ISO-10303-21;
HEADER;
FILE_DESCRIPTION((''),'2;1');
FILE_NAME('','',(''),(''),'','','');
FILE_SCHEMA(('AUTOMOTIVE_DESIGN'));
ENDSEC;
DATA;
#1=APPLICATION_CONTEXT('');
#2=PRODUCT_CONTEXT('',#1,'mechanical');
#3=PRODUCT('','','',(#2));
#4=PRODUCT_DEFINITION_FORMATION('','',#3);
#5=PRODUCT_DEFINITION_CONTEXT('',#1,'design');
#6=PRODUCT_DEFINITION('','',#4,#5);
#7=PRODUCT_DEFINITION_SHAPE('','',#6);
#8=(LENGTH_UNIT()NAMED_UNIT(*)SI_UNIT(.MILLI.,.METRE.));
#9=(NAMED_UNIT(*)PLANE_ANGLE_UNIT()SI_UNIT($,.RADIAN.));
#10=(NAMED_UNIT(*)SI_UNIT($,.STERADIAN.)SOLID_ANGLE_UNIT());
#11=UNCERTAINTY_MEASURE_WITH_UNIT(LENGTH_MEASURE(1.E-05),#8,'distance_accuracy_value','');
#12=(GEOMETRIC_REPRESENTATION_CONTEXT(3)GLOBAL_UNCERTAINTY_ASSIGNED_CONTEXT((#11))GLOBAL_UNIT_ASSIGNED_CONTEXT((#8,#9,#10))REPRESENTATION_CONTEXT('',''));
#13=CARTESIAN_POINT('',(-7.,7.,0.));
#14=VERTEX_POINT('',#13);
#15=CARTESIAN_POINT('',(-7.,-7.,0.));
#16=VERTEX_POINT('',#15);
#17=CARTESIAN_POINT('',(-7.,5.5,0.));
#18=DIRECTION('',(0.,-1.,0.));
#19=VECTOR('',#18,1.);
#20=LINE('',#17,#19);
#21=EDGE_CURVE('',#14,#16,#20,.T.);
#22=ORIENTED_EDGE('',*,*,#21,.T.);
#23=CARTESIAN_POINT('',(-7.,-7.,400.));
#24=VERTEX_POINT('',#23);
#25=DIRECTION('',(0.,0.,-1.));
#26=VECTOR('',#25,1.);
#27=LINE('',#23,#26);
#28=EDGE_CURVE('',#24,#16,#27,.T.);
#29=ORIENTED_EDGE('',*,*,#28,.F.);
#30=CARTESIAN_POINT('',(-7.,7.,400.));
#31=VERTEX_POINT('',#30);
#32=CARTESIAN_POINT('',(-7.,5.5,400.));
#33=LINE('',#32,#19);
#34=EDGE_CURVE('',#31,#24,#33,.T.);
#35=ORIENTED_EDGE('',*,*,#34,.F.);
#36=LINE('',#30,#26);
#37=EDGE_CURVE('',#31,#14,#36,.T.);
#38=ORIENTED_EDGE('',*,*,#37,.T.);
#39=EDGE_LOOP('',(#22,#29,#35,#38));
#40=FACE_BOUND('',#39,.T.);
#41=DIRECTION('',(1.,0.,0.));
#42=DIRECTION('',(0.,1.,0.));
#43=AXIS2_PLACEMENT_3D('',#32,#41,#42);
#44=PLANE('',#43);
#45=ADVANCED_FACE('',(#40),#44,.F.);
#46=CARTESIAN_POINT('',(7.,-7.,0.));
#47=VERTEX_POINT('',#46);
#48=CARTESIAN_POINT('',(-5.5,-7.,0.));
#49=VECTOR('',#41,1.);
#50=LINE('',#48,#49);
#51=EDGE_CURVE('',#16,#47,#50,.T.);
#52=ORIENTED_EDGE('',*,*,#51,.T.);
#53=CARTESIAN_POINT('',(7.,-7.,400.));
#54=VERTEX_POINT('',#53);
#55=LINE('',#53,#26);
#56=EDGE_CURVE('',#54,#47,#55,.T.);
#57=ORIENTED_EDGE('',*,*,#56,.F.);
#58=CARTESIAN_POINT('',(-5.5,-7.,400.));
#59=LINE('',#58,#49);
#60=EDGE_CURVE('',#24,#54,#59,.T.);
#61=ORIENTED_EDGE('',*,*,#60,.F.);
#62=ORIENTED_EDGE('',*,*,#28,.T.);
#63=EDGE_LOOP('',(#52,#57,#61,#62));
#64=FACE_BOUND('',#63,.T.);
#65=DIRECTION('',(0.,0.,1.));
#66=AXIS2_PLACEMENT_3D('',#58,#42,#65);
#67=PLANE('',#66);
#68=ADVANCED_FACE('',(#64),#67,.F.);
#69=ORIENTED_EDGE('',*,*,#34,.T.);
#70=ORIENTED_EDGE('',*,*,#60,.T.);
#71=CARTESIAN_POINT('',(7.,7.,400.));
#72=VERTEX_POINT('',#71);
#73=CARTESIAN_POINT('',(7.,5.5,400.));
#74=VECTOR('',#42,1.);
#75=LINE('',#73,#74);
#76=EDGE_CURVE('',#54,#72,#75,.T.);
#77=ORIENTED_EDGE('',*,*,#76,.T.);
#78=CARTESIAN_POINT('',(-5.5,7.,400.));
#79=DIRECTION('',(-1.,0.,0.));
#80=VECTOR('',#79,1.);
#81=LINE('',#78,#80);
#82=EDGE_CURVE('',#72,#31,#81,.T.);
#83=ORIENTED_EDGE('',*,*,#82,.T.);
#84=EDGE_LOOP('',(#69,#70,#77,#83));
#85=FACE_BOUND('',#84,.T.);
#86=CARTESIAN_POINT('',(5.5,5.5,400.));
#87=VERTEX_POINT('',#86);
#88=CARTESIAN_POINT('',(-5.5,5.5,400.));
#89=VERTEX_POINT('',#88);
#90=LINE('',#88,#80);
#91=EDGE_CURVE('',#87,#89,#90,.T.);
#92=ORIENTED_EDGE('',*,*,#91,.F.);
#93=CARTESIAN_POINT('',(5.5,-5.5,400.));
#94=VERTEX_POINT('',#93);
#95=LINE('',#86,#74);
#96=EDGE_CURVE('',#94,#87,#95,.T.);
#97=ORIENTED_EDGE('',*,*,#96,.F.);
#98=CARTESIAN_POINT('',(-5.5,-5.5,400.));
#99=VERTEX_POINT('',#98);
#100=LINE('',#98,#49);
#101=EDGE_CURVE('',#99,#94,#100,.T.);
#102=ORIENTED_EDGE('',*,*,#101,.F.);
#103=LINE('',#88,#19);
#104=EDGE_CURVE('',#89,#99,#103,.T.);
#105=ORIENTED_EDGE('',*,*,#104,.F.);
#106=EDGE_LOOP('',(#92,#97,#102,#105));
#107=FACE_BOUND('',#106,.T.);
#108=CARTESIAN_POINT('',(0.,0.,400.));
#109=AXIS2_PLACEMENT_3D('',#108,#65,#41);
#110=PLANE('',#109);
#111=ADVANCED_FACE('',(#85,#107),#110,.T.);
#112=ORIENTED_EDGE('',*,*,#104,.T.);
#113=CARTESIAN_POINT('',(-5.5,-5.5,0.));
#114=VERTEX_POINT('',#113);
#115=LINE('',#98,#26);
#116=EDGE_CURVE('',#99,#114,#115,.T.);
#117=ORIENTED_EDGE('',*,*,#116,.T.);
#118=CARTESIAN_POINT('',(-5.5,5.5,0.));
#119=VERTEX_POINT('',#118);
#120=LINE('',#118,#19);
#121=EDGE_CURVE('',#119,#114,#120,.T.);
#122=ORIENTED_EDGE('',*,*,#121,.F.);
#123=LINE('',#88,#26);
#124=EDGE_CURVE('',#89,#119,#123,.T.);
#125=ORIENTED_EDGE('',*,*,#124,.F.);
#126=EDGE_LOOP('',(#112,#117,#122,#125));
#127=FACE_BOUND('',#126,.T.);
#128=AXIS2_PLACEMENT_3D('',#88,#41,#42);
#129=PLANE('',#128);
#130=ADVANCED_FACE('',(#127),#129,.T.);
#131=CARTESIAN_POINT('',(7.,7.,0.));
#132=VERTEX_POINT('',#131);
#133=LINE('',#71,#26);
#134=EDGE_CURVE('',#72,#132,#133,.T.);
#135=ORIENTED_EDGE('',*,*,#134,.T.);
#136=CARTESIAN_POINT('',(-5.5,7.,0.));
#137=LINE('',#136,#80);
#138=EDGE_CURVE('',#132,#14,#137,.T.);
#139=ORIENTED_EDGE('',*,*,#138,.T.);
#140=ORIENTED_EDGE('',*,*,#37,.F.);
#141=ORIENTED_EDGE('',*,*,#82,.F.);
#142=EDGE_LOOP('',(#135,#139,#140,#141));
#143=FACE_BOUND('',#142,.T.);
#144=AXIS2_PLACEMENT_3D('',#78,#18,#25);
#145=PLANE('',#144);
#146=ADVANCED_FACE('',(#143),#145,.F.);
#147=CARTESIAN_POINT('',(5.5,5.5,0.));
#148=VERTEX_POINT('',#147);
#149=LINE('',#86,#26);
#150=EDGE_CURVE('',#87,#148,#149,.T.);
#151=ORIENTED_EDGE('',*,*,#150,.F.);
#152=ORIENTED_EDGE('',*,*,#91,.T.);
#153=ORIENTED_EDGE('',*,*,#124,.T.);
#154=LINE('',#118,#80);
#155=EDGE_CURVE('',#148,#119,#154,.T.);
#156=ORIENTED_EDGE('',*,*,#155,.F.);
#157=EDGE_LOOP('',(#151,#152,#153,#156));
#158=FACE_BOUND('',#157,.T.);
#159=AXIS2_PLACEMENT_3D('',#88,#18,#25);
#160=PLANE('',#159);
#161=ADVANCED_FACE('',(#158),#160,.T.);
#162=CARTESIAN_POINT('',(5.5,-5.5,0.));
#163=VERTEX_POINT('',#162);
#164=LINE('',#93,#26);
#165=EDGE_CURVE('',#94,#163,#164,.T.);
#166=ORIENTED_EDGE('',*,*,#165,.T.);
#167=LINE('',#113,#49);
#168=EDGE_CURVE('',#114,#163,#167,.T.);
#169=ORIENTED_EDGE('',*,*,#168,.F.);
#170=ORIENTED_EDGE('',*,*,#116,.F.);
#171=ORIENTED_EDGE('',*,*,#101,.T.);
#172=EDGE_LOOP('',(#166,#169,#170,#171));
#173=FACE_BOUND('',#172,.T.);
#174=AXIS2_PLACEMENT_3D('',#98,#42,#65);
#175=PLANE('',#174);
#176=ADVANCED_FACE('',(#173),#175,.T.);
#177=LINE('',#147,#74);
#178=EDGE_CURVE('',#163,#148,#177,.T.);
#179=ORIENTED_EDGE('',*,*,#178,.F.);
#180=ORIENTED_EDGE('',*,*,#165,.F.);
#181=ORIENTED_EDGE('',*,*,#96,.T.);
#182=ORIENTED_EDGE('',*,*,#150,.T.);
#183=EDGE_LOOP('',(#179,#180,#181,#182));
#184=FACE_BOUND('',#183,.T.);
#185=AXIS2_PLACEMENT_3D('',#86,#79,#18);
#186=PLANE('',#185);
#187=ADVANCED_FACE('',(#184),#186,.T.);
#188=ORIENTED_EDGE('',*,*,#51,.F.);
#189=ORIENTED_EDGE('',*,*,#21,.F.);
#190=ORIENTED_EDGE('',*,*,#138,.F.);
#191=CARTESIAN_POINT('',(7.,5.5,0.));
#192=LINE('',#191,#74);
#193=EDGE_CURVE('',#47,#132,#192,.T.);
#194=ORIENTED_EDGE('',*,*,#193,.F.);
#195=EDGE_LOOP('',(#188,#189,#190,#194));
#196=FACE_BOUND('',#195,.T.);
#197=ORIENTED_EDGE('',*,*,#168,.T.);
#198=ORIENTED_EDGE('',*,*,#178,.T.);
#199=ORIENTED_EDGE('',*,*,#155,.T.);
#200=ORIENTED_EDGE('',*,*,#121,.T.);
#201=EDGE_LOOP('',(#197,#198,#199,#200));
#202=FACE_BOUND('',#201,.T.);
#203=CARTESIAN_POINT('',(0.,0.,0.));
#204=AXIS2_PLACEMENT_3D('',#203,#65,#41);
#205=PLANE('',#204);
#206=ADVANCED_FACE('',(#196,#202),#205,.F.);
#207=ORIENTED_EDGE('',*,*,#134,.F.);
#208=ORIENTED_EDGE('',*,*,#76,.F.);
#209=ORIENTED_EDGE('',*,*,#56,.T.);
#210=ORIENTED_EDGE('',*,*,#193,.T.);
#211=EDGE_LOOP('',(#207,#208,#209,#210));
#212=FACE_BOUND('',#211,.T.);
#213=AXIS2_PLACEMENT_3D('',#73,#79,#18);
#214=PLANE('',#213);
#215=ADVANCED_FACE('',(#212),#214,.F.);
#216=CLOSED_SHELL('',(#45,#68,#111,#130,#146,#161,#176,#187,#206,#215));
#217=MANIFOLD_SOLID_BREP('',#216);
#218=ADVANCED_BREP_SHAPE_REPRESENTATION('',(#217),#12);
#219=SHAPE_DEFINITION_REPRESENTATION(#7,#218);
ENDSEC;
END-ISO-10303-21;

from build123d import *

# Parameters (mm, degrees)
SKETCH_1_W      = 14
SKETCH_1_H      = 14
SKETCH_1_W_2    = 11
SKETCH_1_H_2    = 11
EXTRUDE_1_DEPTH = 400


with BuildPart() as part:
    # 草图1 → 拉伸-薄壁1 (new body)
    with BuildSketch(Plane.XY):
        Rectangle(SKETCH_1_W, SKETCH_1_H)
        Rectangle(SKETCH_1_W_2, SKETCH_1_H_2, mode=Mode.SUBTRACT)
    extrude(amount=EXTRUDE_1_DEPTH)


solid = part.part
